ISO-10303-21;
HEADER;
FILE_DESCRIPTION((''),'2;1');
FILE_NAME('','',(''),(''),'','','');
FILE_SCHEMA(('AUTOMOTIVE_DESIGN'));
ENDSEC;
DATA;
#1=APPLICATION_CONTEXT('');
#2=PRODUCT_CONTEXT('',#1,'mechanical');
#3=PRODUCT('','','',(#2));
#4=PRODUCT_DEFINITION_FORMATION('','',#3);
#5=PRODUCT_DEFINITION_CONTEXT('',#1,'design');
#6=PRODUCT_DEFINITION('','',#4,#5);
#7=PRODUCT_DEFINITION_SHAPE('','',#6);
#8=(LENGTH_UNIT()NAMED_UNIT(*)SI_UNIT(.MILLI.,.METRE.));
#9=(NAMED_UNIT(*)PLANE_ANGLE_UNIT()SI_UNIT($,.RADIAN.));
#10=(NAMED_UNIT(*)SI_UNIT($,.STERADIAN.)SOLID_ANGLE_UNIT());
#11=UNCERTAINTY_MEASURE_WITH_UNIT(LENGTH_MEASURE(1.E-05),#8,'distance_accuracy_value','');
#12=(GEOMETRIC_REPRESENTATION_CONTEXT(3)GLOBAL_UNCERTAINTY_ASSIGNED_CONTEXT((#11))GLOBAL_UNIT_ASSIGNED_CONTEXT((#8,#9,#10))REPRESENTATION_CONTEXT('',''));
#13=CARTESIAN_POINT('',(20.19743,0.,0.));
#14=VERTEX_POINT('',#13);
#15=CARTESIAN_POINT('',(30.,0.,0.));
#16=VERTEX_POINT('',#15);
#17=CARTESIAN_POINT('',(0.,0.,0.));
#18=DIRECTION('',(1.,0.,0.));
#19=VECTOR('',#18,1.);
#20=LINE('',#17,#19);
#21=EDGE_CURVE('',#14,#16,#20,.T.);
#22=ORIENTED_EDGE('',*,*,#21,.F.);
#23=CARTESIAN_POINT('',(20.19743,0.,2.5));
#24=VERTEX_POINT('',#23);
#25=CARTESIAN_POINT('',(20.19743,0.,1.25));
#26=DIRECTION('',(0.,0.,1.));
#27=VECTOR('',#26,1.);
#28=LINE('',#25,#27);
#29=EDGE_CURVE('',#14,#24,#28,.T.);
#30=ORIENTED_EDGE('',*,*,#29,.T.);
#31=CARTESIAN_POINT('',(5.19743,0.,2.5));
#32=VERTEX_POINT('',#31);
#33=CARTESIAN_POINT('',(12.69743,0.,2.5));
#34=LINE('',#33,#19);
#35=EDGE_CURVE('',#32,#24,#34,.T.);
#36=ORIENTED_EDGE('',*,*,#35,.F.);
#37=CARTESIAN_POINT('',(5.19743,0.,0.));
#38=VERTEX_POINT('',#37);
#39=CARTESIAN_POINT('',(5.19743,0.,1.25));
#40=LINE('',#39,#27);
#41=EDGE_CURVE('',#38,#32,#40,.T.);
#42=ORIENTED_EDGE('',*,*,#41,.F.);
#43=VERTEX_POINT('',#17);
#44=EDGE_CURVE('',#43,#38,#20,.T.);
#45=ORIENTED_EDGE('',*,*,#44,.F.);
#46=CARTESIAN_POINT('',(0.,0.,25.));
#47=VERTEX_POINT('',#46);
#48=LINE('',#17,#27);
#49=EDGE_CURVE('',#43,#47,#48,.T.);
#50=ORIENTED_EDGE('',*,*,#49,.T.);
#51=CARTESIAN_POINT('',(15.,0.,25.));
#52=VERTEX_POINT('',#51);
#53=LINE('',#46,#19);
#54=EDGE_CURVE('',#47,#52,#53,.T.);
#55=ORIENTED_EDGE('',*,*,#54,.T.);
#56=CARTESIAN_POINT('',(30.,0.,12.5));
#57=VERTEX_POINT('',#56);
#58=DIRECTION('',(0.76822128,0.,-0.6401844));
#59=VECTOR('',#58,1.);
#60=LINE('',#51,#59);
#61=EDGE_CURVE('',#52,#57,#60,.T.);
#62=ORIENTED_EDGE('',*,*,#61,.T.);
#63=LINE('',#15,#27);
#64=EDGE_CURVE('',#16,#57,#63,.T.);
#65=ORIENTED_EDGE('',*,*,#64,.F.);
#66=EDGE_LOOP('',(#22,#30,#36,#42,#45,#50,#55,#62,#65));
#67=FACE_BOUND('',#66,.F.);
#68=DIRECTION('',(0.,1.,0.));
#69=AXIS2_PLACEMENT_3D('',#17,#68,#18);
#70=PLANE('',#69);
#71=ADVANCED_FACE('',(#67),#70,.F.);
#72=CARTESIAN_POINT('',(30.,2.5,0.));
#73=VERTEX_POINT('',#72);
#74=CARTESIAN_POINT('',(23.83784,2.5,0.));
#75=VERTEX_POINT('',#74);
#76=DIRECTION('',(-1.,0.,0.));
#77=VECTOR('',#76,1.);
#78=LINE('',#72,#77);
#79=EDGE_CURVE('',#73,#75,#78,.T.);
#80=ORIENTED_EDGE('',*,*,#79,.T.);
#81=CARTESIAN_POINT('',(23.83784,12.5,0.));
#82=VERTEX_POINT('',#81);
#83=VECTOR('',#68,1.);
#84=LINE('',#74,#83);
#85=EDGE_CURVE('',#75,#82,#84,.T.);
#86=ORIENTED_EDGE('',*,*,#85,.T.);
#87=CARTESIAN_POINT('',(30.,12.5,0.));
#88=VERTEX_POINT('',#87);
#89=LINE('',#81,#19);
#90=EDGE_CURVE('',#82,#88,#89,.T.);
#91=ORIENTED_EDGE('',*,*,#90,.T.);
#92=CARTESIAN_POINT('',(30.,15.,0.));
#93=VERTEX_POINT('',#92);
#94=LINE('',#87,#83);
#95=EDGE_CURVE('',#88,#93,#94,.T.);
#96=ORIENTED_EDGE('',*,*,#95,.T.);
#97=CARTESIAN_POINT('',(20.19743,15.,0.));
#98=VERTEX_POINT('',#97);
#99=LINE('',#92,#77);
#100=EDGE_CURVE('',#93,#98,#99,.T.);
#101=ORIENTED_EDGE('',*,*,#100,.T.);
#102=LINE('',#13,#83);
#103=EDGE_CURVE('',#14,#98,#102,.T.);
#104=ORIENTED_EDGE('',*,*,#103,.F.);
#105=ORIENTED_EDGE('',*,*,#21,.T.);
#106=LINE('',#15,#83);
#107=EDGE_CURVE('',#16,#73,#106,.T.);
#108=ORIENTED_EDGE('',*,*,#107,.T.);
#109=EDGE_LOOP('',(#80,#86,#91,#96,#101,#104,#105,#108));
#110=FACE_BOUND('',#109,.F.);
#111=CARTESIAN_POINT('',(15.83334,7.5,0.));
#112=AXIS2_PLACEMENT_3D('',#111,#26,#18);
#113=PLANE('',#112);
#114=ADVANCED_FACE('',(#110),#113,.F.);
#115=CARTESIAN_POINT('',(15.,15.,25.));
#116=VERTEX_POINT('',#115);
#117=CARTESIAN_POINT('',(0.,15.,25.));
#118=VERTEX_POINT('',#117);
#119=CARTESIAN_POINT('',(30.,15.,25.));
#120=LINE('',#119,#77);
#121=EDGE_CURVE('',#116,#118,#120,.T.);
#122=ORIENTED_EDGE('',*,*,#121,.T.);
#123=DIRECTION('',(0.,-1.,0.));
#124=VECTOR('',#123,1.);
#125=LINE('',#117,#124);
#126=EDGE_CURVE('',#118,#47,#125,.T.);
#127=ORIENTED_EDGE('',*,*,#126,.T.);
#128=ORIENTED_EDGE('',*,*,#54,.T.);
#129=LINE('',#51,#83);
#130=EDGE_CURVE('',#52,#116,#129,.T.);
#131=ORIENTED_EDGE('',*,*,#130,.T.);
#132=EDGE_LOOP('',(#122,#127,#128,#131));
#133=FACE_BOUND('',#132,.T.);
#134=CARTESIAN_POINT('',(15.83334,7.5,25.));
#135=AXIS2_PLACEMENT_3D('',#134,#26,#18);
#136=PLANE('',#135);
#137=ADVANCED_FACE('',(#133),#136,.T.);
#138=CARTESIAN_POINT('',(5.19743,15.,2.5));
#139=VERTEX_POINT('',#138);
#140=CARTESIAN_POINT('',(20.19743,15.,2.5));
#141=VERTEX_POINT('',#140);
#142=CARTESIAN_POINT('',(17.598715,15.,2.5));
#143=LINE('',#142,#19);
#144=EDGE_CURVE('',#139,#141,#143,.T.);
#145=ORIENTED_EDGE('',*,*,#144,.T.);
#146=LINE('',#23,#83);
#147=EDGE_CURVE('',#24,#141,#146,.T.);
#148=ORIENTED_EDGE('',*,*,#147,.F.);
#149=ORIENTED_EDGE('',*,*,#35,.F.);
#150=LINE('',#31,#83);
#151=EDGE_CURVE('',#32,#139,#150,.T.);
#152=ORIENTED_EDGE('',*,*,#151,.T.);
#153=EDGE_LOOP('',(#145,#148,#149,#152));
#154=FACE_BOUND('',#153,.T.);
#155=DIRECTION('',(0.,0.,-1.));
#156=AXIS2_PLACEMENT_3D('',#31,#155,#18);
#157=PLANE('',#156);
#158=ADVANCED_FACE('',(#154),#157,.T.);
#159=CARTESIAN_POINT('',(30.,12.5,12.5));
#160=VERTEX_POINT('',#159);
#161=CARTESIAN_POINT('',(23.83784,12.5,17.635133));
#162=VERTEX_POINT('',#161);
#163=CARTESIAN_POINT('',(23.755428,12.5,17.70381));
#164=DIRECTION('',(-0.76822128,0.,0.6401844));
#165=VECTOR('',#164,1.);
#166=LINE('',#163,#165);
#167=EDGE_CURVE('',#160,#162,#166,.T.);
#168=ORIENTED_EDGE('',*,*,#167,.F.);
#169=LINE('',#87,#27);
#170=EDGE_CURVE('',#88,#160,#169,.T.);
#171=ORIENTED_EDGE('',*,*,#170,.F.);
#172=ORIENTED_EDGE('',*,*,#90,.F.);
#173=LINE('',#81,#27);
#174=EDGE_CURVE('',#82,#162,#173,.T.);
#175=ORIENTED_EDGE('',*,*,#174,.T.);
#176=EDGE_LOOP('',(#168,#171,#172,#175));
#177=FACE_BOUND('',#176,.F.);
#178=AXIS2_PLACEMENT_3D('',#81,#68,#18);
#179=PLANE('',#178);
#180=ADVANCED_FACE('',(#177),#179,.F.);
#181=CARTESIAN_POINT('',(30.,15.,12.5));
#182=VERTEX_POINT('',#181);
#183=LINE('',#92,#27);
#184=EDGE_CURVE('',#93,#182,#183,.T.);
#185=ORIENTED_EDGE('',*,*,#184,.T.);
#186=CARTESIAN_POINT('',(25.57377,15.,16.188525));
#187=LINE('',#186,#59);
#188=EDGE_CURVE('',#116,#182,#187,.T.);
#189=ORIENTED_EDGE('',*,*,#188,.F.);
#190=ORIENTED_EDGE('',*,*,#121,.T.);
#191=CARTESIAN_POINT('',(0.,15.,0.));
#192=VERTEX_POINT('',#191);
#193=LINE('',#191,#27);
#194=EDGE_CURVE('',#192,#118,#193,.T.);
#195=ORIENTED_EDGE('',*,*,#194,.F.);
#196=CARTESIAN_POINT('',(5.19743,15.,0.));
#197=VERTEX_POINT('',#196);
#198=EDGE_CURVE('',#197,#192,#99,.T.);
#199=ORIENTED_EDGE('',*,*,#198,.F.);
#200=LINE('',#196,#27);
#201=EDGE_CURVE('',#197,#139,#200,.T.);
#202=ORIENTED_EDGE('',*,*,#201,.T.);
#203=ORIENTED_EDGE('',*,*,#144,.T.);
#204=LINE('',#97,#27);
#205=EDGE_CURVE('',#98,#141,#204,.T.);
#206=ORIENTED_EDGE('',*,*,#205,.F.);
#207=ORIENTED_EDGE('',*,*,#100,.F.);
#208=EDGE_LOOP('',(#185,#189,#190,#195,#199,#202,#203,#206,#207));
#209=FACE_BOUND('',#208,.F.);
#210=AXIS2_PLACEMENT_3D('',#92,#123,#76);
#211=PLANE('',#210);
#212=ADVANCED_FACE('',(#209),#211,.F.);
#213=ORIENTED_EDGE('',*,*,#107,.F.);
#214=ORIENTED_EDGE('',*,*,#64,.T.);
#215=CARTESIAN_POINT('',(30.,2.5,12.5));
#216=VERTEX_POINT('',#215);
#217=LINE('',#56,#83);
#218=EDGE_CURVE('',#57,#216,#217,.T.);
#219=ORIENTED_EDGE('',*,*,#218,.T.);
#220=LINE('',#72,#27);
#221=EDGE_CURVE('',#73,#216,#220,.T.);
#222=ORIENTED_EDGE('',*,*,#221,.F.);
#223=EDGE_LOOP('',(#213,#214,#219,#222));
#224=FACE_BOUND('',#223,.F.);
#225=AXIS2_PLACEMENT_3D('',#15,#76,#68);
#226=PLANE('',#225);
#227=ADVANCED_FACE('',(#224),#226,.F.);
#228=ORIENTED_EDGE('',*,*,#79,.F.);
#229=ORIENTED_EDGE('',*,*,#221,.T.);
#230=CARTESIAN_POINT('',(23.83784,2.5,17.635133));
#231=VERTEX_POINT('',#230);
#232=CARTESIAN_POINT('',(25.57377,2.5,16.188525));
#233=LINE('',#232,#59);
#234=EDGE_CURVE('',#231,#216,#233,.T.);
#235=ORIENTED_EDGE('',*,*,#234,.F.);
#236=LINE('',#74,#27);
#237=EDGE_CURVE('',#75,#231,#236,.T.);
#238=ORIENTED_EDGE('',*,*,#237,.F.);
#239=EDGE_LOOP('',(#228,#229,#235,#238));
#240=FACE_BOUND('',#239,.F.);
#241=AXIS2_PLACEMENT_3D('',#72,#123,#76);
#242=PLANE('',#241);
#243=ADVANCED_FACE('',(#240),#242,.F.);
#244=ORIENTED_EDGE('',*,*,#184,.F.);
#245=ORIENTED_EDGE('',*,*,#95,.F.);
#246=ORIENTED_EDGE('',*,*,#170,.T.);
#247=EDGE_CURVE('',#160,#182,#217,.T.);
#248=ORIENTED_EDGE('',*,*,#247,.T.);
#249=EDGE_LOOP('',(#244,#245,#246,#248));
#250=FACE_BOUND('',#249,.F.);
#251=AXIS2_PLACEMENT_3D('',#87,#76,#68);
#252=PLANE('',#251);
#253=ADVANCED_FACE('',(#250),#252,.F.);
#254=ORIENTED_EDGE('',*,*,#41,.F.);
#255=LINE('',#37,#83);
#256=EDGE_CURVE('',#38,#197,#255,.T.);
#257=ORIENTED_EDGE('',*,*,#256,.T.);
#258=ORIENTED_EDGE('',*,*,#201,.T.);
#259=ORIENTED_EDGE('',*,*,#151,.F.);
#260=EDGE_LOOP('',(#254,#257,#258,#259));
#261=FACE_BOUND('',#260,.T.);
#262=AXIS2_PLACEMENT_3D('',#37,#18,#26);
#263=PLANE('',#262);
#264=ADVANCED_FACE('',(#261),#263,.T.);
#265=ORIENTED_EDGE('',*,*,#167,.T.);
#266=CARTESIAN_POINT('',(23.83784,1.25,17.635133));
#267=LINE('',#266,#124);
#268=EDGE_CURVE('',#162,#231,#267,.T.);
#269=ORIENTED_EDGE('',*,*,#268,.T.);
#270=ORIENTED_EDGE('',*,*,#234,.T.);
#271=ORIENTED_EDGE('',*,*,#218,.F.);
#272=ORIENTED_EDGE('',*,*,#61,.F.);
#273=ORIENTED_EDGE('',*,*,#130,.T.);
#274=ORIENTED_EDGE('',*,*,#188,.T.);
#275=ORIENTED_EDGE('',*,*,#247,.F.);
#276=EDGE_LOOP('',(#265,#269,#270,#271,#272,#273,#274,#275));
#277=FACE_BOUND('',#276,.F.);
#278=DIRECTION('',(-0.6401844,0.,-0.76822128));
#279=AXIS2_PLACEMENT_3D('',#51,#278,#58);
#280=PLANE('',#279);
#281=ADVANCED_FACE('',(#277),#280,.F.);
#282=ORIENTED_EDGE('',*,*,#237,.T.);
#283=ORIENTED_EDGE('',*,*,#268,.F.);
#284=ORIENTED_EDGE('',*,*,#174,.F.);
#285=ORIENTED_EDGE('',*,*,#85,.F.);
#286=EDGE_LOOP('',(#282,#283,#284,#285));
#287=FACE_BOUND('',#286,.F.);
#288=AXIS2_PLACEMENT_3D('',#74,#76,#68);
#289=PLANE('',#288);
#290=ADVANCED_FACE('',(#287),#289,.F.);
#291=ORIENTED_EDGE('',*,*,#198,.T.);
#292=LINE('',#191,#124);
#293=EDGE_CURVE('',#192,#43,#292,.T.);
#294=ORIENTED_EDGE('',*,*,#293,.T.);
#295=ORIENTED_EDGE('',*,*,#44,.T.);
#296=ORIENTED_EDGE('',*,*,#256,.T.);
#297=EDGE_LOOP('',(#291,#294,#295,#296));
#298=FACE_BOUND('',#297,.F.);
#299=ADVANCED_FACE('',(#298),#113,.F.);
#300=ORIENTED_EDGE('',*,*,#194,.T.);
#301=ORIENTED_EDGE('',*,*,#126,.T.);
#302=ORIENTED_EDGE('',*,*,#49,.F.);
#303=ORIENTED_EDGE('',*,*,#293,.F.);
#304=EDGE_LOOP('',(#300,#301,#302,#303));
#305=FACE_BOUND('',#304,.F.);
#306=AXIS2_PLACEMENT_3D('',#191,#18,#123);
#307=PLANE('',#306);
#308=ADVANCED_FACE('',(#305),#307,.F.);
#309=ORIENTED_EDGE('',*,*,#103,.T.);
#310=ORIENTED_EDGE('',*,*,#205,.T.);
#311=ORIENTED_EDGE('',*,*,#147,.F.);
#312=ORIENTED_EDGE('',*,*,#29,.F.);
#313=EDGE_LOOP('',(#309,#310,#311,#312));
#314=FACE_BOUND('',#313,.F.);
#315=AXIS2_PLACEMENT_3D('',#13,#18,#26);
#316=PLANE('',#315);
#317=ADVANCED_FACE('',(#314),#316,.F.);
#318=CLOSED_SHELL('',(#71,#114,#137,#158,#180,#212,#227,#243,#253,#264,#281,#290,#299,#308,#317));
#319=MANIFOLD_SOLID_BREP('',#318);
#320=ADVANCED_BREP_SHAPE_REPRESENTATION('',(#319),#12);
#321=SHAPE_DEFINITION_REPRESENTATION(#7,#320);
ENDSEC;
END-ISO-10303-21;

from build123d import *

# Parameters (mm, degrees)
F1_DEPTH = 25
F3_DEPTH = 25
F4_W     = 15
F4_H     = 2.5
F5_DEPTH = 25


with BuildPart() as f1:
    # F0 (on Top) → F1 (new body)
    with BuildSketch(Plane.XY):
        Polygon((0, 15), (0, 0), (30, 0), (30, 2.5), (23.83784, 2.5), (23.83784, 12.5), (30, 12.5), (30, 15), align=None)
    extrude(amount=F1_DEPTH)

    # F2 (on face) → F3 (cut)
    with BuildSketch(Plane.XZ):
        Polygon((30, 25), (15, 25), (30, 12.5), align=None)
    extrude(amount=-F3_DEPTH, mode=Mode.SUBTRACT)

    # F4 (on face) → F5 (cut)
    with BuildSketch(Plane.XZ):
        with Locations((12.69743, 1.25)):
            Rectangle(F4_W, F4_H)
    extrude(amount=-F5_DEPTH, mode=Mode.SUBTRACT)


solid = f1.part
